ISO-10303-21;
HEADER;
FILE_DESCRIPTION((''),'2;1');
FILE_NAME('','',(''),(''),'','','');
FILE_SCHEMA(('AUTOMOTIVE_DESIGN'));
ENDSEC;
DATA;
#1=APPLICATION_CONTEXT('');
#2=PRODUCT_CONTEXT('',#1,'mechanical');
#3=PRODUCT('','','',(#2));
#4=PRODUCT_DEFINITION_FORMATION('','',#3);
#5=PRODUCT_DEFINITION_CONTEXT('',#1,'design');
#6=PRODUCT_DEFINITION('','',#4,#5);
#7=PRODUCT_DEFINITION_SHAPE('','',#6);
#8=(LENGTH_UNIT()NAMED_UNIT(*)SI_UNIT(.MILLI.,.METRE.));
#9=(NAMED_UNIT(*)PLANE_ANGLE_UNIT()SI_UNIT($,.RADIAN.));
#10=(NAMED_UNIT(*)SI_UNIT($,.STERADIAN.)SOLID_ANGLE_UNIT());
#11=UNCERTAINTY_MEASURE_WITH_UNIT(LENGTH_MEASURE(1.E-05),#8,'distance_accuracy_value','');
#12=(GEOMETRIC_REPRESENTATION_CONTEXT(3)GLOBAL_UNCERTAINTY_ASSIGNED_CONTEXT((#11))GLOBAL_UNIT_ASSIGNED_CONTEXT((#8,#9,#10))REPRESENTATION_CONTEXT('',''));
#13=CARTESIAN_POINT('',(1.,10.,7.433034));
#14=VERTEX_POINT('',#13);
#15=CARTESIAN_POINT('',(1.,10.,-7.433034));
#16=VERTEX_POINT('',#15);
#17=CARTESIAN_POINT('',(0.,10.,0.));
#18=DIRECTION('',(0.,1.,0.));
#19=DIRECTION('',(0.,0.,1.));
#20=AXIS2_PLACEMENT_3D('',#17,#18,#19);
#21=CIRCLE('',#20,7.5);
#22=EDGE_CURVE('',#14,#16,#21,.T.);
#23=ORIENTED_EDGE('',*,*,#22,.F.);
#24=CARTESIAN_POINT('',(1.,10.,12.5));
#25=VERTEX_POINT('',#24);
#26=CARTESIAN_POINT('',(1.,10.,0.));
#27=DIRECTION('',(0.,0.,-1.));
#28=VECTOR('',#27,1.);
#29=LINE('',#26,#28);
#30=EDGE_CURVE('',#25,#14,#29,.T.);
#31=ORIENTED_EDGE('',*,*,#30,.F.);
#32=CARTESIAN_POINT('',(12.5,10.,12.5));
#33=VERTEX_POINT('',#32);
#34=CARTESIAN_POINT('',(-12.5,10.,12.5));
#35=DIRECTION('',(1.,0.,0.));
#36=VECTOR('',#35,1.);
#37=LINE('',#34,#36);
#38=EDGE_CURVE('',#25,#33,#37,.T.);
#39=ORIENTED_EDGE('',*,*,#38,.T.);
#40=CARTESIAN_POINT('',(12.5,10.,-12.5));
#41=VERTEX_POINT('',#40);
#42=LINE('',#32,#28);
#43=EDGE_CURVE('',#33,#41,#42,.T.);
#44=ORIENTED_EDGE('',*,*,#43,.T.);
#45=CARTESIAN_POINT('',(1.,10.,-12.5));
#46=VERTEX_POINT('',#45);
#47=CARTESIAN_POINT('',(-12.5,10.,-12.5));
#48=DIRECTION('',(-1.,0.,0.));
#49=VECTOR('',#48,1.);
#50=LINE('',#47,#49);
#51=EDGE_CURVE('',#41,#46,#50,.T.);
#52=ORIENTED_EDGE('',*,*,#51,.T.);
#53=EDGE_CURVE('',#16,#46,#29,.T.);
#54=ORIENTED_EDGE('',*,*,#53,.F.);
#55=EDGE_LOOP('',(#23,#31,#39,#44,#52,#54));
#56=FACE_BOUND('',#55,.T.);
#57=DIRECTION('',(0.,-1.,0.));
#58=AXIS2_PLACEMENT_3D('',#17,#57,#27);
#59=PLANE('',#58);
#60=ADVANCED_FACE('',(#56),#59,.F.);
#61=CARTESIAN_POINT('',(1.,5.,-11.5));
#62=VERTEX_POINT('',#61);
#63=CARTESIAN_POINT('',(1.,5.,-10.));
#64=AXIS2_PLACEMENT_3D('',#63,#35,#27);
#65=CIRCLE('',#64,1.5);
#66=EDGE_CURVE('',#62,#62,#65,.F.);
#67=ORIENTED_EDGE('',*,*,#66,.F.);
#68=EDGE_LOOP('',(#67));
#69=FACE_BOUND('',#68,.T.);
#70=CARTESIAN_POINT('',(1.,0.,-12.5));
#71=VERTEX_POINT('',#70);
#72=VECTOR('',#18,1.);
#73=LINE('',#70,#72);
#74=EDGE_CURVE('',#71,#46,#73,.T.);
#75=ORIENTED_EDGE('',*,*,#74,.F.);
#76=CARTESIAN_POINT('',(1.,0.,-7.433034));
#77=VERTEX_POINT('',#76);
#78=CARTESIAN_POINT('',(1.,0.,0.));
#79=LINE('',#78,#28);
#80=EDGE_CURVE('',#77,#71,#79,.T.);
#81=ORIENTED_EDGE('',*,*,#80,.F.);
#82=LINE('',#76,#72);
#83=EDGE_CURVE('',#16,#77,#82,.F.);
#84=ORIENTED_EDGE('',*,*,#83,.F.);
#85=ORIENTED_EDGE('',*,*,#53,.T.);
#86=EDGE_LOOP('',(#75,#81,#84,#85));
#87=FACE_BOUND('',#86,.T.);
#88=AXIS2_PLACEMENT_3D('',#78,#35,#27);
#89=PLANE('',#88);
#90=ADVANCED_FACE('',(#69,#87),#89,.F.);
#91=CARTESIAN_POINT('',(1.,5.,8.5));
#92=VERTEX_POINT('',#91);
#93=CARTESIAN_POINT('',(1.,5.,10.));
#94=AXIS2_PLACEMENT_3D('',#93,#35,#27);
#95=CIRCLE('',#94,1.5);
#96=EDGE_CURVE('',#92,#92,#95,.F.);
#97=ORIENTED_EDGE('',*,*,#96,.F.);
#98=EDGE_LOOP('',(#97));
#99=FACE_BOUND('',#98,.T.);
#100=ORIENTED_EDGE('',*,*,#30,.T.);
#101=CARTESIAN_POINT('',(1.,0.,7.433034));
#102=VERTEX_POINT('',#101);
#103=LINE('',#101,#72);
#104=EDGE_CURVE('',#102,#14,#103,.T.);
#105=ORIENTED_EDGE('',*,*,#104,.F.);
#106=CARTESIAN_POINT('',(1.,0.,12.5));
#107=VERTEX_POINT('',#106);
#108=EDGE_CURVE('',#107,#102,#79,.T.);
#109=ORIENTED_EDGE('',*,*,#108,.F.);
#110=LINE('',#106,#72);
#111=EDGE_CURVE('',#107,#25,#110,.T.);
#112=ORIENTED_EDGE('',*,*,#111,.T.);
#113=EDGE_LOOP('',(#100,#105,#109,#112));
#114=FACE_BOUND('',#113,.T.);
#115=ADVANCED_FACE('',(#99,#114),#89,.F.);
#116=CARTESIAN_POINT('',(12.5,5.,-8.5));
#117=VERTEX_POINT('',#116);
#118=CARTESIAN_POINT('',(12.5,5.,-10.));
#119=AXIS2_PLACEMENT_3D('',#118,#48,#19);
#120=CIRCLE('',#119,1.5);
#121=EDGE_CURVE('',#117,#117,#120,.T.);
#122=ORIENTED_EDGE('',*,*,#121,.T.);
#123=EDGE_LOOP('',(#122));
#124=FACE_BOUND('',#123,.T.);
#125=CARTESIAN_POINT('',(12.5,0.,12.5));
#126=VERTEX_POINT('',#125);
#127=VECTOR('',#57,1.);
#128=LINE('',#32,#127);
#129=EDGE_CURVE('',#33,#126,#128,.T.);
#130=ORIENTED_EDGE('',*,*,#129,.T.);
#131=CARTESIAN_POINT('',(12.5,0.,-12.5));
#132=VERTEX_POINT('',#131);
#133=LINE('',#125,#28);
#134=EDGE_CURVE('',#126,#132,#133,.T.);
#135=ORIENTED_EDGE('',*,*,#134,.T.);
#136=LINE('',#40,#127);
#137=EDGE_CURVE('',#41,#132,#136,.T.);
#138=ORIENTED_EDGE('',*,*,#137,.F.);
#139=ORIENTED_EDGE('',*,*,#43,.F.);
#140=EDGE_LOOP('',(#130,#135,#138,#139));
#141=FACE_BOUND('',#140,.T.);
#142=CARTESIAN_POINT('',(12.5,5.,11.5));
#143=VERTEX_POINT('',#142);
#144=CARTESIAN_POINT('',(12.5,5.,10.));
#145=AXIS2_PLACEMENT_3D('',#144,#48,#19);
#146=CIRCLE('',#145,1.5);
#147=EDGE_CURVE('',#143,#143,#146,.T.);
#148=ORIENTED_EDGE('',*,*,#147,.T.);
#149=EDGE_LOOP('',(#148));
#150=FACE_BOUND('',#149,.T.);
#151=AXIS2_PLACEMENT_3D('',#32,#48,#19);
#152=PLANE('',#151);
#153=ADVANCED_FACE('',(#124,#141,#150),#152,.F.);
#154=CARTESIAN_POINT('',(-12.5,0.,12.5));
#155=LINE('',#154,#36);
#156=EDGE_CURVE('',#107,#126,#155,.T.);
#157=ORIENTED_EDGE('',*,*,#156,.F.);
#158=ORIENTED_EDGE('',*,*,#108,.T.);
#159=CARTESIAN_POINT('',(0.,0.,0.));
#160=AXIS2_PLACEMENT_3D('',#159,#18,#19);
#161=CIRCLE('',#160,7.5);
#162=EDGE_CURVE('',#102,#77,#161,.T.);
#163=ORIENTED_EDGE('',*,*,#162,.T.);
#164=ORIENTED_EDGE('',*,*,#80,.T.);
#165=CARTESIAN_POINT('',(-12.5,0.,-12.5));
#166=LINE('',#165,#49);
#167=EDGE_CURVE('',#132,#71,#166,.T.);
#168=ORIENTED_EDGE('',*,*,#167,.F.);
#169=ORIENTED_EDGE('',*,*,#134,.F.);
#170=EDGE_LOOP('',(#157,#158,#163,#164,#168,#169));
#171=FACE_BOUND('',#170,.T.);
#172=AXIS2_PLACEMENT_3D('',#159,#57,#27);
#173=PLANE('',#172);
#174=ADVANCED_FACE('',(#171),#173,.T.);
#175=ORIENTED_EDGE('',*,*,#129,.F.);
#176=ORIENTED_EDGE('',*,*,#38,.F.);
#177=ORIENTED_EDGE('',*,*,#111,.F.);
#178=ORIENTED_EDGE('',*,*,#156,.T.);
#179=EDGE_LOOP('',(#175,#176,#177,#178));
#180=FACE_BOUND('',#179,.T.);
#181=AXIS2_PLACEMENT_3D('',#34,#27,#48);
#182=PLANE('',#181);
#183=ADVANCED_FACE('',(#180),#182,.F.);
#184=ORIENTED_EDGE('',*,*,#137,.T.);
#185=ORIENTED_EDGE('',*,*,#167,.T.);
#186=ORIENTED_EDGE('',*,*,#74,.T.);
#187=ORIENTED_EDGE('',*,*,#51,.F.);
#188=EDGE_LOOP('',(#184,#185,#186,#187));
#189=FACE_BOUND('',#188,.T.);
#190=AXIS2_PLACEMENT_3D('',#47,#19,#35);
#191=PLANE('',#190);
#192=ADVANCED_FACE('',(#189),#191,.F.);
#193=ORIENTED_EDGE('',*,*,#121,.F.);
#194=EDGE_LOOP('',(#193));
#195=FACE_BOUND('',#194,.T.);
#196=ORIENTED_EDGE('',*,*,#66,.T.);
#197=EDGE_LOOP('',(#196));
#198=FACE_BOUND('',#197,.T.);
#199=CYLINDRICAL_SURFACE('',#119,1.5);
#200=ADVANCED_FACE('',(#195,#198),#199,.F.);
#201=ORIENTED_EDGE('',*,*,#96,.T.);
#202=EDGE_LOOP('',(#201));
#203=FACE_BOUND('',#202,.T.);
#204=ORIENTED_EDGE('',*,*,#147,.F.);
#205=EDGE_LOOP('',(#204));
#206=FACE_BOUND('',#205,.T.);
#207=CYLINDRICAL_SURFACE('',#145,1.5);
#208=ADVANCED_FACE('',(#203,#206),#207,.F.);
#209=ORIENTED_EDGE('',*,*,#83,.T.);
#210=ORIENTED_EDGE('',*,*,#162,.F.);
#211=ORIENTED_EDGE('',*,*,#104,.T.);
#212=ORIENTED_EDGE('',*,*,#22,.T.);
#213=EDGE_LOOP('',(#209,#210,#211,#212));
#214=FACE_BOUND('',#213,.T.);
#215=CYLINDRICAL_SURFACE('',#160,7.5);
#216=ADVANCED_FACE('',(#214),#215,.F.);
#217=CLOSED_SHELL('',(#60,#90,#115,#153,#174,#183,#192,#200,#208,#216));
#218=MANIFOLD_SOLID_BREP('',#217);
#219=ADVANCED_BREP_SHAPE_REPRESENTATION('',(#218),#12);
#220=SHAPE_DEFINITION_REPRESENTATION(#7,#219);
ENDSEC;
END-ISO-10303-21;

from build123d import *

# Parameters (mm, degrees)
SKETCH1_W           = 25
SKETCH1_H           = 25
BOSS_EXTRUDE1_DEPTH = 10
SKETCH2_R           = 7.5
CUT_EXTRUDE1_DEPTH  = 21.310096012
SKETCH3_W           = 12.5
SKETCH3_H           = 25
CUT_EXTRUDE2_DEPTH  = 10
SKETCH4_R           = 1.5
CUT_EXTRUDE3_DEPTH  = 21.310096012
CUT_EXTRUDE4_DEPTH  = 21.310096012


with BuildPart() as part:
    # Sketch1 → Boss-Extrude1 (new body)
    with BuildSketch(Plane(origin=(0, 0, 0), x_dir=(1, 0, 0), z_dir=(0, 1, 0))):
        Rectangle(SKETCH1_W, SKETCH1_H)
    extrude(amount=BOSS_EXTRUDE1_DEPTH)

    # Sketch2 → Cut-Extrude1 (cut, through all)
    with BuildSketch(Plane(origin=(0, 10, 0), x_dir=(1, 0, 0), z_dir=(0, 1, 0))):
        with Locations(Location((0, 0, 0), (0, 0, 270))):
            Circle(SKETCH2_R)
    extrude(amount=-CUT_EXTRUDE1_DEPTH, mode=Mode.SUBTRACT)

    # Sketch3 → Cut-Extrude2 (cut)
    with BuildSketch(Plane(origin=(0, 10, 0), x_dir=(1, 0, 0), z_dir=(0, 1, 0))):
        with Locations((-6.25, 0)):
            Rectangle(SKETCH3_W, SKETCH3_H)
    extrude(amount=-CUT_EXTRUDE2_DEPTH, mode=Mode.SUBTRACT)

    # Sketch4 → Cut-Extrude3 (cut, through all)
    with BuildSketch(Plane.ZY):
        with Locations((-10, 5)):
            Circle(SKETCH4_R)
        with Locations((10, 5)):
            Circle(SKETCH4_R)
    extrude(amount=-CUT_EXTRUDE3_DEPTH, mode=Mode.SUBTRACT)

    # Sketch5 → Cut-Extrude4 (cut, through all)
    with BuildSketch(Plane(origin=(0, 10, 0), x_dir=(1, 0, 0), z_dir=(0, 1, 0))):
        with BuildLine():
            Line((1, 12.5), (0, 12.5))
            Line((0, 12.5), (0, 7.5))
            ThreePointArc((0, 7.5), (0.501119845, 7.483239867), (1, 7.433034374))
            Line((1, 7.433034374), (1, 12.5))
        make_face()
        with BuildLine():
            ThreePointArc((1, -7.433034374), (0.501119845, -7.483239867), (0, -7.5))
            Line((0, -7.5), (0, -12.5))
            Line((0, -12.5), (1, -12.5))
            Line((1, -12.5), (1, -7.433034374))
        make_face()
        with BuildLine():
            ThreePointArc((1, 7.433034374), (0.501119845, 7.483239867), (0, 7.5))
            Line((0, 7.5), (0, -7.5))
            ThreePointArc((0, -7.5), (0.501119845, -7.483239867), (1, -7.433034374))
            Line((1, -7.433034374), (1, 7.433034374))
        make_face()
    extrude(amount=-CUT_EXTRUDE4_DEPTH, mode=Mode.SUBTRACT)


solid = part.part
